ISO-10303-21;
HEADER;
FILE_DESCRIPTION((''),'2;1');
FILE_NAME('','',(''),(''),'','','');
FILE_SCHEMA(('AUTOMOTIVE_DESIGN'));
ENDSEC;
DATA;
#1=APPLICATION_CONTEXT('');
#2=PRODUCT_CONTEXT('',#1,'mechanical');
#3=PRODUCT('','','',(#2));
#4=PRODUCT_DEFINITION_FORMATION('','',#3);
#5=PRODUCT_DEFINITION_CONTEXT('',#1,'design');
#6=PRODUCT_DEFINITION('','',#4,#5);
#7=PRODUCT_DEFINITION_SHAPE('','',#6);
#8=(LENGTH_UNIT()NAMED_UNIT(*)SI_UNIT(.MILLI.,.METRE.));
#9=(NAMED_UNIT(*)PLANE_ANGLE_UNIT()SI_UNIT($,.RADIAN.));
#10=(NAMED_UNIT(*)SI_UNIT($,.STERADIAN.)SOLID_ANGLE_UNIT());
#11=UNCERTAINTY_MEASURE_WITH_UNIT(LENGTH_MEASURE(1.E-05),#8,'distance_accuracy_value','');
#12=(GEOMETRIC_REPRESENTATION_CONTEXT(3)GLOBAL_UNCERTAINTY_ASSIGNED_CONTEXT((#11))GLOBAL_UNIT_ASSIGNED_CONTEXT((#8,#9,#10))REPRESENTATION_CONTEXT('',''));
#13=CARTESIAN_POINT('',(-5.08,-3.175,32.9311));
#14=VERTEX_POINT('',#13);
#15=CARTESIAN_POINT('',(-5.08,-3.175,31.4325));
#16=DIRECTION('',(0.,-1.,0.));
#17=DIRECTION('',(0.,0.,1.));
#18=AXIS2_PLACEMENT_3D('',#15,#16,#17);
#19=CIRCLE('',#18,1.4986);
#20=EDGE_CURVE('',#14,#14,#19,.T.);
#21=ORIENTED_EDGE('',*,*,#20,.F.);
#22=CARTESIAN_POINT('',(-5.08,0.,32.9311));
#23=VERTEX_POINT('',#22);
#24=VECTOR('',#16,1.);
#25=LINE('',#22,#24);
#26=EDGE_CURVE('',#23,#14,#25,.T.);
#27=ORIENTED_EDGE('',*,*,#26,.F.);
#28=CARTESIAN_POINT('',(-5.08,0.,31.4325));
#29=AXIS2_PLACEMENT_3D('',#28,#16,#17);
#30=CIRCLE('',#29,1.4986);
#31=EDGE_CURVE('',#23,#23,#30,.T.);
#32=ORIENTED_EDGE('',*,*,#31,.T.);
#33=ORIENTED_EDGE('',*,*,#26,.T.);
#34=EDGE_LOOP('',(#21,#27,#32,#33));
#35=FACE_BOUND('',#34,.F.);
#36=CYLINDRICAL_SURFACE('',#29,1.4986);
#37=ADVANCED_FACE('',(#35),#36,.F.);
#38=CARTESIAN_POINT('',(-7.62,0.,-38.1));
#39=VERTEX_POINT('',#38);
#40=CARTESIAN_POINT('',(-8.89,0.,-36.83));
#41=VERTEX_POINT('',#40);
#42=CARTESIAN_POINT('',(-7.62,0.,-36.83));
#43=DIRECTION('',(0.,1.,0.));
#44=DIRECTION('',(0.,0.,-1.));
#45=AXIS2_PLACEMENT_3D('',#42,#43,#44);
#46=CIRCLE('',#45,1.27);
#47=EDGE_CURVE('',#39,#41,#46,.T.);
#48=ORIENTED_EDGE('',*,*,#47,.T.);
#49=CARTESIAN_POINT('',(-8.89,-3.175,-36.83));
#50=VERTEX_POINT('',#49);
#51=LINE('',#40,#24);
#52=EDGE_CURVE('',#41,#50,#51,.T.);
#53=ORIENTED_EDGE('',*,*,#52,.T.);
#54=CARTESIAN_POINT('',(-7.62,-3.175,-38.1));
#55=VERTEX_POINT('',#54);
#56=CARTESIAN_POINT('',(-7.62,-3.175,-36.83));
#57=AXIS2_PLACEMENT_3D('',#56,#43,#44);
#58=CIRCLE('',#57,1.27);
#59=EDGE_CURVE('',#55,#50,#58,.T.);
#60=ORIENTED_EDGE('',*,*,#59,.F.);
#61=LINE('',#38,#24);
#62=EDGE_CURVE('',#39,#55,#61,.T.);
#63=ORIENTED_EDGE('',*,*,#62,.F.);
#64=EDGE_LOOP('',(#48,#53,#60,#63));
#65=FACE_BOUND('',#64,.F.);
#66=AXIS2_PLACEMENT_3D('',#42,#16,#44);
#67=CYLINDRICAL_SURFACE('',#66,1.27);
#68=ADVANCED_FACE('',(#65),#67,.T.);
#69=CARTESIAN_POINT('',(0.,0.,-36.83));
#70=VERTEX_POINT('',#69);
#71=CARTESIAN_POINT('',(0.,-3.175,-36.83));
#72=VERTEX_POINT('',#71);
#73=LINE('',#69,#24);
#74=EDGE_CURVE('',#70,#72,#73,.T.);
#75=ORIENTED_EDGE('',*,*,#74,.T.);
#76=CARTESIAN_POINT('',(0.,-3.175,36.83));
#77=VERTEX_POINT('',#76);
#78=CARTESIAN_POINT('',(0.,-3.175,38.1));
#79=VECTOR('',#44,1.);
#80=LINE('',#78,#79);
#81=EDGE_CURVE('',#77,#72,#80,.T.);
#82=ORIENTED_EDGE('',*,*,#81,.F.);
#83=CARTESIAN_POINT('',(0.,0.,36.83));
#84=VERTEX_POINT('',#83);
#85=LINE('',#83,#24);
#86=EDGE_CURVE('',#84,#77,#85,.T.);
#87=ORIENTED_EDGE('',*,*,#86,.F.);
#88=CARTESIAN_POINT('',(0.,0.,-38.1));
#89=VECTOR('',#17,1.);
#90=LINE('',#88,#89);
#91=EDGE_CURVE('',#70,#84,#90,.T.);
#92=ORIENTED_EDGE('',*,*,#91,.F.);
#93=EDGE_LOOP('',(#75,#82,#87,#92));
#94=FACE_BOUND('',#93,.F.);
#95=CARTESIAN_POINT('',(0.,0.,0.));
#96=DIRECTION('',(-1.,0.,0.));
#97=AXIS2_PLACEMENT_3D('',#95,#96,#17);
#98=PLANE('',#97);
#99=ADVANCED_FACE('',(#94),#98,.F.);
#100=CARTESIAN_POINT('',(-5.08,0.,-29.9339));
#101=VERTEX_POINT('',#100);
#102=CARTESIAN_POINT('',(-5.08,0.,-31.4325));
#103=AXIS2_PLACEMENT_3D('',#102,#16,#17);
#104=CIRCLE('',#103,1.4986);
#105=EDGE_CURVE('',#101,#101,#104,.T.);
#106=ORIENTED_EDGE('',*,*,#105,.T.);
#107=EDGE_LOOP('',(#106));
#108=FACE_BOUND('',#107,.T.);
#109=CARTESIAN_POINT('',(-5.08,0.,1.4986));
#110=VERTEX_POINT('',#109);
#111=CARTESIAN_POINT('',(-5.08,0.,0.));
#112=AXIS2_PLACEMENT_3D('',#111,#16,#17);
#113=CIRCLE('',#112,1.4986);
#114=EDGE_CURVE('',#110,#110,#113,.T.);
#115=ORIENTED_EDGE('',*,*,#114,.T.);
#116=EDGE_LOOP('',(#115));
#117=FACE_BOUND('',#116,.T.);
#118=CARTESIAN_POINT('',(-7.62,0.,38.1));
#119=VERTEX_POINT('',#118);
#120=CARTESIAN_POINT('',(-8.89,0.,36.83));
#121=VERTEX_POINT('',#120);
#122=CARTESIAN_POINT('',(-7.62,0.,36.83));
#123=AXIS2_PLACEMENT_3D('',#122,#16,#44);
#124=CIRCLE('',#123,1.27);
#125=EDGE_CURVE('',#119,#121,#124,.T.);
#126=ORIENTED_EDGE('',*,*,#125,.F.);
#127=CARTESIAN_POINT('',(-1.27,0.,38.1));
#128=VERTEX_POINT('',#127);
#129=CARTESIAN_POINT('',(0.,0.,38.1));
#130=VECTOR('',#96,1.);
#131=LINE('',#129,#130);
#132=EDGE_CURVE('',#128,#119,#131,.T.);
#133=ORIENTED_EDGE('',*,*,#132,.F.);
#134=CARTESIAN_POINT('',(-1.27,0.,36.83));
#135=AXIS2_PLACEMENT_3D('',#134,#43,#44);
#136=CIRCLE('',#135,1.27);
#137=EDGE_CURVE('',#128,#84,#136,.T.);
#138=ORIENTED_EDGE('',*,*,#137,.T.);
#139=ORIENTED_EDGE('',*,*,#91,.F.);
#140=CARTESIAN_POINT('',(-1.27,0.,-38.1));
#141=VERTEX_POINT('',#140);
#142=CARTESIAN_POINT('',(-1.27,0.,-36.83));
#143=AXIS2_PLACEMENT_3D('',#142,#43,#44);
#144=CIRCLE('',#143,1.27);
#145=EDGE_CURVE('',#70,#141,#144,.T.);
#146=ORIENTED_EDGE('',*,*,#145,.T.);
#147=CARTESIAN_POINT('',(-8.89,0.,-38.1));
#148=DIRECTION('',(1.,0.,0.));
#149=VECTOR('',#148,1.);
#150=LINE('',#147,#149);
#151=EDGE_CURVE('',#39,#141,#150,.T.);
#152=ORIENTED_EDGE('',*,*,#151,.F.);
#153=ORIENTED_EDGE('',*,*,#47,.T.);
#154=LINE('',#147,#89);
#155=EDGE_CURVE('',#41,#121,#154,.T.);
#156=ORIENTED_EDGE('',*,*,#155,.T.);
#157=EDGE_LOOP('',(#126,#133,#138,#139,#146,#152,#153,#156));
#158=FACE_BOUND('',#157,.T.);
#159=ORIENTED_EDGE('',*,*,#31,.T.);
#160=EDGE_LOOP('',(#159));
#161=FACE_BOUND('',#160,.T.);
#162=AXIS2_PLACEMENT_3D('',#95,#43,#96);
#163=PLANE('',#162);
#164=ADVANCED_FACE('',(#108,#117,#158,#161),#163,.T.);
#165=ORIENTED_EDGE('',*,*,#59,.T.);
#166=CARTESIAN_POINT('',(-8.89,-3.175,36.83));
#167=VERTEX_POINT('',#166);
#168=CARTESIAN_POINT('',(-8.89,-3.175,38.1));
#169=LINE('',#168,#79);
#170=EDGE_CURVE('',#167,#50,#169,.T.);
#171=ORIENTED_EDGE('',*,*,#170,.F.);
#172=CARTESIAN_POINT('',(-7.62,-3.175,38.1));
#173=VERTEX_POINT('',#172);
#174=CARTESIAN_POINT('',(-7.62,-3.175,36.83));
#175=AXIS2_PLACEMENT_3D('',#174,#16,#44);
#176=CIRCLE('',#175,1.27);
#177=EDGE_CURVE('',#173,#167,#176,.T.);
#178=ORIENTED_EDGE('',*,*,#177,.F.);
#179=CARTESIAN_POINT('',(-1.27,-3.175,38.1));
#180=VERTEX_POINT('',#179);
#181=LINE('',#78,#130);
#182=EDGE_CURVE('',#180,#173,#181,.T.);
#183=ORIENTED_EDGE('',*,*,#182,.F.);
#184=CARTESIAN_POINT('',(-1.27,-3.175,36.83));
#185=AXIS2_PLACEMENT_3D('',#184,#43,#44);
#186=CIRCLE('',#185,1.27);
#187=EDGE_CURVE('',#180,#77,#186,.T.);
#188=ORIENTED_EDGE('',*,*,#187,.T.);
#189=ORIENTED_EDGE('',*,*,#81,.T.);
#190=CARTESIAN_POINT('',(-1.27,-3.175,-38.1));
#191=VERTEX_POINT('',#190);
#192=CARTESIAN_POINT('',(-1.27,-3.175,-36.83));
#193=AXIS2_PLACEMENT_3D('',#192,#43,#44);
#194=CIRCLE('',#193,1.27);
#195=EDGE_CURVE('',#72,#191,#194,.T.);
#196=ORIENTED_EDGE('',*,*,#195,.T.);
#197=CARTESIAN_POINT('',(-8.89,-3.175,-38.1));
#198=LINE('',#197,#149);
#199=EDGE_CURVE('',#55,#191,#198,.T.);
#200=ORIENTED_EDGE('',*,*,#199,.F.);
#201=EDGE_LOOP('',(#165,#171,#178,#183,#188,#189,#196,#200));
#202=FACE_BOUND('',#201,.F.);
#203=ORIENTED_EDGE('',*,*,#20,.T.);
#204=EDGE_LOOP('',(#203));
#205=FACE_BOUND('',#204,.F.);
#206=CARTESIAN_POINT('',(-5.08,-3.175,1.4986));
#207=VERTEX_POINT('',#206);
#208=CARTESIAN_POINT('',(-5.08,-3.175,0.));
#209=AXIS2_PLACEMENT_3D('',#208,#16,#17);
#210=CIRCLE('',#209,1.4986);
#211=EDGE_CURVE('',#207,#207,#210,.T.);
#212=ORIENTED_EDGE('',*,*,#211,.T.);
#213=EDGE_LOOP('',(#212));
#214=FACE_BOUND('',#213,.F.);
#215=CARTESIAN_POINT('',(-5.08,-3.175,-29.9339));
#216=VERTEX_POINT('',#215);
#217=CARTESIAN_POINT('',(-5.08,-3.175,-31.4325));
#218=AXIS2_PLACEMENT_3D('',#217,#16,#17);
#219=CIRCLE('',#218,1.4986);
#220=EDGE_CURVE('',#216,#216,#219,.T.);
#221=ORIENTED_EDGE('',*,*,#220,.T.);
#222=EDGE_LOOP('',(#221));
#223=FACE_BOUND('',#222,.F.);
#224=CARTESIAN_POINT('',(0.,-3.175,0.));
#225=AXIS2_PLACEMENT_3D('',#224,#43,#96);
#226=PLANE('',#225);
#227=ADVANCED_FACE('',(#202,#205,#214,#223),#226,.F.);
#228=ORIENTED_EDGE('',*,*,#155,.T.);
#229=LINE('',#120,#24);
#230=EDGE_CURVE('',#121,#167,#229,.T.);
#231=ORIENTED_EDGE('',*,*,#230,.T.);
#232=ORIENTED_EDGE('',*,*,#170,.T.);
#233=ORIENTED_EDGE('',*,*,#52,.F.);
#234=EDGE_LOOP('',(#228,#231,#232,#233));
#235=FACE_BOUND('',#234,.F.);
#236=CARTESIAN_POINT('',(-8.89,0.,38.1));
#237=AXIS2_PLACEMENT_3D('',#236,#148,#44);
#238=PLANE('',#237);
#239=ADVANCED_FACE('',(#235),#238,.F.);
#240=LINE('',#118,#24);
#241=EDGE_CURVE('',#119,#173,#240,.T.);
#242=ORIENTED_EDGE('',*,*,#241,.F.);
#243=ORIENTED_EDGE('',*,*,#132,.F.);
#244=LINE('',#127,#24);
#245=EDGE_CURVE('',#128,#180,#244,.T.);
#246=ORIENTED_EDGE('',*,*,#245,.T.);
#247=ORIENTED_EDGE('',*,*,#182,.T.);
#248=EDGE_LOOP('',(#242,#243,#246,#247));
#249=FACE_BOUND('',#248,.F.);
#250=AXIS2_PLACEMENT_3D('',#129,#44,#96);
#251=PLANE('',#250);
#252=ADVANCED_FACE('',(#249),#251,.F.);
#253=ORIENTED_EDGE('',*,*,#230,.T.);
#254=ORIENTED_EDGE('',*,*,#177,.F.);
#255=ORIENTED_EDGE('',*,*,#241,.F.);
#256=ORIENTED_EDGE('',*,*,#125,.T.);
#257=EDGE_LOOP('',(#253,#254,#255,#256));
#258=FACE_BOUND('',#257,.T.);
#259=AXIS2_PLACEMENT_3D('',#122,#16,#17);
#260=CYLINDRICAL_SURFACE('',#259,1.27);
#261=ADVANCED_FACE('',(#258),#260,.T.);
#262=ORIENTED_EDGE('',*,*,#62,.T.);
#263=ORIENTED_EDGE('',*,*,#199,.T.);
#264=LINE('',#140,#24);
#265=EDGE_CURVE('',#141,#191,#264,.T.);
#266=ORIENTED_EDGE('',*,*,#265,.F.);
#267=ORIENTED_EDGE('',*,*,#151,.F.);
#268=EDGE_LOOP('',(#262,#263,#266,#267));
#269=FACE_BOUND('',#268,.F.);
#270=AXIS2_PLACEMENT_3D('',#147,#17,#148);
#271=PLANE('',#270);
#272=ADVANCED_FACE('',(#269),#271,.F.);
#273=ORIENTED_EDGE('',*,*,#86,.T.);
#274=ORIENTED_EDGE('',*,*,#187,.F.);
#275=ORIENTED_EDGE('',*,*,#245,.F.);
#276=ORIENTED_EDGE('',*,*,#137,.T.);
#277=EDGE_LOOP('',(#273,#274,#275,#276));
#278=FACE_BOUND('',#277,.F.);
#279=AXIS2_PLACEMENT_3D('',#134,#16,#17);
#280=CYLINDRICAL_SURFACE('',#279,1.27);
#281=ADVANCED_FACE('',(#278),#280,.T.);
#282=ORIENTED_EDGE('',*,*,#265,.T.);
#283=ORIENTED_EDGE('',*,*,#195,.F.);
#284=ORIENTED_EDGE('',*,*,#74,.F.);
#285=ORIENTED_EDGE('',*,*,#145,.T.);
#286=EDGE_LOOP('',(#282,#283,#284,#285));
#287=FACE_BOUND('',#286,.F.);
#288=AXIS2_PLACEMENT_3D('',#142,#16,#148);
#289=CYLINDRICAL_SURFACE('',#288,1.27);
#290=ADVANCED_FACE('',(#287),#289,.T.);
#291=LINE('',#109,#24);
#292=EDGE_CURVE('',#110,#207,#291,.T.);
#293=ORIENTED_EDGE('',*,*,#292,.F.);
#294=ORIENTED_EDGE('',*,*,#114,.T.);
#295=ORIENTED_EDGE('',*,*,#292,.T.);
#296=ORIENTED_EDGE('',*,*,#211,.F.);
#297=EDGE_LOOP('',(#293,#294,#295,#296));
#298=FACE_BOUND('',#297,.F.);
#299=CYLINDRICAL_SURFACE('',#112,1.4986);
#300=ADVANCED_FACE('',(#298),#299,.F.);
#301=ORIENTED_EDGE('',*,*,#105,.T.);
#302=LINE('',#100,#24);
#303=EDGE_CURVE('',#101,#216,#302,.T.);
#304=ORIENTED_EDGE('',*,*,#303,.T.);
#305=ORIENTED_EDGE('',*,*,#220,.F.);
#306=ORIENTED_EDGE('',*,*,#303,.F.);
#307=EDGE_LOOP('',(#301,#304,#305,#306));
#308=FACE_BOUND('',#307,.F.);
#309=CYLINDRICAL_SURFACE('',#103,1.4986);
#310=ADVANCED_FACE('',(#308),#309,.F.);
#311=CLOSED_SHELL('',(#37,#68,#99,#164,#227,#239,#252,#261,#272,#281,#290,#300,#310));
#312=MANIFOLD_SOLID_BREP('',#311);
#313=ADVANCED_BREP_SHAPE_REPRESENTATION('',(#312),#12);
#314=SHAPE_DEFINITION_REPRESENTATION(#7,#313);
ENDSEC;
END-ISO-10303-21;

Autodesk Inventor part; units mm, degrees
ref_plane "YZ Plane" through (0, 0, 0) normal (1, 0, 0) x (0, 1, 0)
ref_plane "XZ Plane" through (0, 0, 0) normal (0, 1, 0) x (-1, 0, 0)
ref_plane "XY Plane" through (0, 0, 0) normal (0, 0, 1) x (1, 0, 0)
sketch "Sketch1" plane through (0, 0, 0) normal (0, 1, 0) x (-1, 0, 0)
  line L0 (-1.778, 0) -> (10.668, 0) projected
  line L1 (0, -53.34) -> (0, 53.34) projected
  line L2 (8.89, -38.1) -> (0, -38.1)
  line L3 (0, -38.1) -> (0, 38.1)
  line L4 (0, 38.1) -> (8.89, 38.1)
  line L5 (8.89, 38.1) -> (8.89, -38.1)
  line L6 (8.89, -38.1) -> (0, 38.1) construction
  line L7 (0, -38.1) -> (8.89, 38.1) construction
  point P0 (0, 0)
  point P1 (4.445, 0)
  point P2 (5.08, 31.4325)
  point P3 (5.08, 0)
  point P4 (5.08, -31.4325)
  dimension "d0" = 76.2
  dimension "d1" = 8.89
  dimension "d2" = 5.08
  dimension "d3" = 31.4325
  dimension "d4" = 31.4325
extrude "Extrusion1" add sketch "Sketch1" against normal blind 3.175
fillet "Fillet1" radius 1.27 2 edges at (-8.89, -1.5875, 38.1) (-8.89, -1.5875, -38.1)
fillet "Fillet2" radius 1.27 2 edges at (0, -1.5875, 38.1) (0, -1.5875, -38.1)
hole "Hole1" at (-5.08, 0, 31.4325) at (-5.08, 0, 0) at (-5.08, 0, -31.4325) direction (0, -1, 0) diameter 2.9972 end through all
equation "\"d4\" = d3"
